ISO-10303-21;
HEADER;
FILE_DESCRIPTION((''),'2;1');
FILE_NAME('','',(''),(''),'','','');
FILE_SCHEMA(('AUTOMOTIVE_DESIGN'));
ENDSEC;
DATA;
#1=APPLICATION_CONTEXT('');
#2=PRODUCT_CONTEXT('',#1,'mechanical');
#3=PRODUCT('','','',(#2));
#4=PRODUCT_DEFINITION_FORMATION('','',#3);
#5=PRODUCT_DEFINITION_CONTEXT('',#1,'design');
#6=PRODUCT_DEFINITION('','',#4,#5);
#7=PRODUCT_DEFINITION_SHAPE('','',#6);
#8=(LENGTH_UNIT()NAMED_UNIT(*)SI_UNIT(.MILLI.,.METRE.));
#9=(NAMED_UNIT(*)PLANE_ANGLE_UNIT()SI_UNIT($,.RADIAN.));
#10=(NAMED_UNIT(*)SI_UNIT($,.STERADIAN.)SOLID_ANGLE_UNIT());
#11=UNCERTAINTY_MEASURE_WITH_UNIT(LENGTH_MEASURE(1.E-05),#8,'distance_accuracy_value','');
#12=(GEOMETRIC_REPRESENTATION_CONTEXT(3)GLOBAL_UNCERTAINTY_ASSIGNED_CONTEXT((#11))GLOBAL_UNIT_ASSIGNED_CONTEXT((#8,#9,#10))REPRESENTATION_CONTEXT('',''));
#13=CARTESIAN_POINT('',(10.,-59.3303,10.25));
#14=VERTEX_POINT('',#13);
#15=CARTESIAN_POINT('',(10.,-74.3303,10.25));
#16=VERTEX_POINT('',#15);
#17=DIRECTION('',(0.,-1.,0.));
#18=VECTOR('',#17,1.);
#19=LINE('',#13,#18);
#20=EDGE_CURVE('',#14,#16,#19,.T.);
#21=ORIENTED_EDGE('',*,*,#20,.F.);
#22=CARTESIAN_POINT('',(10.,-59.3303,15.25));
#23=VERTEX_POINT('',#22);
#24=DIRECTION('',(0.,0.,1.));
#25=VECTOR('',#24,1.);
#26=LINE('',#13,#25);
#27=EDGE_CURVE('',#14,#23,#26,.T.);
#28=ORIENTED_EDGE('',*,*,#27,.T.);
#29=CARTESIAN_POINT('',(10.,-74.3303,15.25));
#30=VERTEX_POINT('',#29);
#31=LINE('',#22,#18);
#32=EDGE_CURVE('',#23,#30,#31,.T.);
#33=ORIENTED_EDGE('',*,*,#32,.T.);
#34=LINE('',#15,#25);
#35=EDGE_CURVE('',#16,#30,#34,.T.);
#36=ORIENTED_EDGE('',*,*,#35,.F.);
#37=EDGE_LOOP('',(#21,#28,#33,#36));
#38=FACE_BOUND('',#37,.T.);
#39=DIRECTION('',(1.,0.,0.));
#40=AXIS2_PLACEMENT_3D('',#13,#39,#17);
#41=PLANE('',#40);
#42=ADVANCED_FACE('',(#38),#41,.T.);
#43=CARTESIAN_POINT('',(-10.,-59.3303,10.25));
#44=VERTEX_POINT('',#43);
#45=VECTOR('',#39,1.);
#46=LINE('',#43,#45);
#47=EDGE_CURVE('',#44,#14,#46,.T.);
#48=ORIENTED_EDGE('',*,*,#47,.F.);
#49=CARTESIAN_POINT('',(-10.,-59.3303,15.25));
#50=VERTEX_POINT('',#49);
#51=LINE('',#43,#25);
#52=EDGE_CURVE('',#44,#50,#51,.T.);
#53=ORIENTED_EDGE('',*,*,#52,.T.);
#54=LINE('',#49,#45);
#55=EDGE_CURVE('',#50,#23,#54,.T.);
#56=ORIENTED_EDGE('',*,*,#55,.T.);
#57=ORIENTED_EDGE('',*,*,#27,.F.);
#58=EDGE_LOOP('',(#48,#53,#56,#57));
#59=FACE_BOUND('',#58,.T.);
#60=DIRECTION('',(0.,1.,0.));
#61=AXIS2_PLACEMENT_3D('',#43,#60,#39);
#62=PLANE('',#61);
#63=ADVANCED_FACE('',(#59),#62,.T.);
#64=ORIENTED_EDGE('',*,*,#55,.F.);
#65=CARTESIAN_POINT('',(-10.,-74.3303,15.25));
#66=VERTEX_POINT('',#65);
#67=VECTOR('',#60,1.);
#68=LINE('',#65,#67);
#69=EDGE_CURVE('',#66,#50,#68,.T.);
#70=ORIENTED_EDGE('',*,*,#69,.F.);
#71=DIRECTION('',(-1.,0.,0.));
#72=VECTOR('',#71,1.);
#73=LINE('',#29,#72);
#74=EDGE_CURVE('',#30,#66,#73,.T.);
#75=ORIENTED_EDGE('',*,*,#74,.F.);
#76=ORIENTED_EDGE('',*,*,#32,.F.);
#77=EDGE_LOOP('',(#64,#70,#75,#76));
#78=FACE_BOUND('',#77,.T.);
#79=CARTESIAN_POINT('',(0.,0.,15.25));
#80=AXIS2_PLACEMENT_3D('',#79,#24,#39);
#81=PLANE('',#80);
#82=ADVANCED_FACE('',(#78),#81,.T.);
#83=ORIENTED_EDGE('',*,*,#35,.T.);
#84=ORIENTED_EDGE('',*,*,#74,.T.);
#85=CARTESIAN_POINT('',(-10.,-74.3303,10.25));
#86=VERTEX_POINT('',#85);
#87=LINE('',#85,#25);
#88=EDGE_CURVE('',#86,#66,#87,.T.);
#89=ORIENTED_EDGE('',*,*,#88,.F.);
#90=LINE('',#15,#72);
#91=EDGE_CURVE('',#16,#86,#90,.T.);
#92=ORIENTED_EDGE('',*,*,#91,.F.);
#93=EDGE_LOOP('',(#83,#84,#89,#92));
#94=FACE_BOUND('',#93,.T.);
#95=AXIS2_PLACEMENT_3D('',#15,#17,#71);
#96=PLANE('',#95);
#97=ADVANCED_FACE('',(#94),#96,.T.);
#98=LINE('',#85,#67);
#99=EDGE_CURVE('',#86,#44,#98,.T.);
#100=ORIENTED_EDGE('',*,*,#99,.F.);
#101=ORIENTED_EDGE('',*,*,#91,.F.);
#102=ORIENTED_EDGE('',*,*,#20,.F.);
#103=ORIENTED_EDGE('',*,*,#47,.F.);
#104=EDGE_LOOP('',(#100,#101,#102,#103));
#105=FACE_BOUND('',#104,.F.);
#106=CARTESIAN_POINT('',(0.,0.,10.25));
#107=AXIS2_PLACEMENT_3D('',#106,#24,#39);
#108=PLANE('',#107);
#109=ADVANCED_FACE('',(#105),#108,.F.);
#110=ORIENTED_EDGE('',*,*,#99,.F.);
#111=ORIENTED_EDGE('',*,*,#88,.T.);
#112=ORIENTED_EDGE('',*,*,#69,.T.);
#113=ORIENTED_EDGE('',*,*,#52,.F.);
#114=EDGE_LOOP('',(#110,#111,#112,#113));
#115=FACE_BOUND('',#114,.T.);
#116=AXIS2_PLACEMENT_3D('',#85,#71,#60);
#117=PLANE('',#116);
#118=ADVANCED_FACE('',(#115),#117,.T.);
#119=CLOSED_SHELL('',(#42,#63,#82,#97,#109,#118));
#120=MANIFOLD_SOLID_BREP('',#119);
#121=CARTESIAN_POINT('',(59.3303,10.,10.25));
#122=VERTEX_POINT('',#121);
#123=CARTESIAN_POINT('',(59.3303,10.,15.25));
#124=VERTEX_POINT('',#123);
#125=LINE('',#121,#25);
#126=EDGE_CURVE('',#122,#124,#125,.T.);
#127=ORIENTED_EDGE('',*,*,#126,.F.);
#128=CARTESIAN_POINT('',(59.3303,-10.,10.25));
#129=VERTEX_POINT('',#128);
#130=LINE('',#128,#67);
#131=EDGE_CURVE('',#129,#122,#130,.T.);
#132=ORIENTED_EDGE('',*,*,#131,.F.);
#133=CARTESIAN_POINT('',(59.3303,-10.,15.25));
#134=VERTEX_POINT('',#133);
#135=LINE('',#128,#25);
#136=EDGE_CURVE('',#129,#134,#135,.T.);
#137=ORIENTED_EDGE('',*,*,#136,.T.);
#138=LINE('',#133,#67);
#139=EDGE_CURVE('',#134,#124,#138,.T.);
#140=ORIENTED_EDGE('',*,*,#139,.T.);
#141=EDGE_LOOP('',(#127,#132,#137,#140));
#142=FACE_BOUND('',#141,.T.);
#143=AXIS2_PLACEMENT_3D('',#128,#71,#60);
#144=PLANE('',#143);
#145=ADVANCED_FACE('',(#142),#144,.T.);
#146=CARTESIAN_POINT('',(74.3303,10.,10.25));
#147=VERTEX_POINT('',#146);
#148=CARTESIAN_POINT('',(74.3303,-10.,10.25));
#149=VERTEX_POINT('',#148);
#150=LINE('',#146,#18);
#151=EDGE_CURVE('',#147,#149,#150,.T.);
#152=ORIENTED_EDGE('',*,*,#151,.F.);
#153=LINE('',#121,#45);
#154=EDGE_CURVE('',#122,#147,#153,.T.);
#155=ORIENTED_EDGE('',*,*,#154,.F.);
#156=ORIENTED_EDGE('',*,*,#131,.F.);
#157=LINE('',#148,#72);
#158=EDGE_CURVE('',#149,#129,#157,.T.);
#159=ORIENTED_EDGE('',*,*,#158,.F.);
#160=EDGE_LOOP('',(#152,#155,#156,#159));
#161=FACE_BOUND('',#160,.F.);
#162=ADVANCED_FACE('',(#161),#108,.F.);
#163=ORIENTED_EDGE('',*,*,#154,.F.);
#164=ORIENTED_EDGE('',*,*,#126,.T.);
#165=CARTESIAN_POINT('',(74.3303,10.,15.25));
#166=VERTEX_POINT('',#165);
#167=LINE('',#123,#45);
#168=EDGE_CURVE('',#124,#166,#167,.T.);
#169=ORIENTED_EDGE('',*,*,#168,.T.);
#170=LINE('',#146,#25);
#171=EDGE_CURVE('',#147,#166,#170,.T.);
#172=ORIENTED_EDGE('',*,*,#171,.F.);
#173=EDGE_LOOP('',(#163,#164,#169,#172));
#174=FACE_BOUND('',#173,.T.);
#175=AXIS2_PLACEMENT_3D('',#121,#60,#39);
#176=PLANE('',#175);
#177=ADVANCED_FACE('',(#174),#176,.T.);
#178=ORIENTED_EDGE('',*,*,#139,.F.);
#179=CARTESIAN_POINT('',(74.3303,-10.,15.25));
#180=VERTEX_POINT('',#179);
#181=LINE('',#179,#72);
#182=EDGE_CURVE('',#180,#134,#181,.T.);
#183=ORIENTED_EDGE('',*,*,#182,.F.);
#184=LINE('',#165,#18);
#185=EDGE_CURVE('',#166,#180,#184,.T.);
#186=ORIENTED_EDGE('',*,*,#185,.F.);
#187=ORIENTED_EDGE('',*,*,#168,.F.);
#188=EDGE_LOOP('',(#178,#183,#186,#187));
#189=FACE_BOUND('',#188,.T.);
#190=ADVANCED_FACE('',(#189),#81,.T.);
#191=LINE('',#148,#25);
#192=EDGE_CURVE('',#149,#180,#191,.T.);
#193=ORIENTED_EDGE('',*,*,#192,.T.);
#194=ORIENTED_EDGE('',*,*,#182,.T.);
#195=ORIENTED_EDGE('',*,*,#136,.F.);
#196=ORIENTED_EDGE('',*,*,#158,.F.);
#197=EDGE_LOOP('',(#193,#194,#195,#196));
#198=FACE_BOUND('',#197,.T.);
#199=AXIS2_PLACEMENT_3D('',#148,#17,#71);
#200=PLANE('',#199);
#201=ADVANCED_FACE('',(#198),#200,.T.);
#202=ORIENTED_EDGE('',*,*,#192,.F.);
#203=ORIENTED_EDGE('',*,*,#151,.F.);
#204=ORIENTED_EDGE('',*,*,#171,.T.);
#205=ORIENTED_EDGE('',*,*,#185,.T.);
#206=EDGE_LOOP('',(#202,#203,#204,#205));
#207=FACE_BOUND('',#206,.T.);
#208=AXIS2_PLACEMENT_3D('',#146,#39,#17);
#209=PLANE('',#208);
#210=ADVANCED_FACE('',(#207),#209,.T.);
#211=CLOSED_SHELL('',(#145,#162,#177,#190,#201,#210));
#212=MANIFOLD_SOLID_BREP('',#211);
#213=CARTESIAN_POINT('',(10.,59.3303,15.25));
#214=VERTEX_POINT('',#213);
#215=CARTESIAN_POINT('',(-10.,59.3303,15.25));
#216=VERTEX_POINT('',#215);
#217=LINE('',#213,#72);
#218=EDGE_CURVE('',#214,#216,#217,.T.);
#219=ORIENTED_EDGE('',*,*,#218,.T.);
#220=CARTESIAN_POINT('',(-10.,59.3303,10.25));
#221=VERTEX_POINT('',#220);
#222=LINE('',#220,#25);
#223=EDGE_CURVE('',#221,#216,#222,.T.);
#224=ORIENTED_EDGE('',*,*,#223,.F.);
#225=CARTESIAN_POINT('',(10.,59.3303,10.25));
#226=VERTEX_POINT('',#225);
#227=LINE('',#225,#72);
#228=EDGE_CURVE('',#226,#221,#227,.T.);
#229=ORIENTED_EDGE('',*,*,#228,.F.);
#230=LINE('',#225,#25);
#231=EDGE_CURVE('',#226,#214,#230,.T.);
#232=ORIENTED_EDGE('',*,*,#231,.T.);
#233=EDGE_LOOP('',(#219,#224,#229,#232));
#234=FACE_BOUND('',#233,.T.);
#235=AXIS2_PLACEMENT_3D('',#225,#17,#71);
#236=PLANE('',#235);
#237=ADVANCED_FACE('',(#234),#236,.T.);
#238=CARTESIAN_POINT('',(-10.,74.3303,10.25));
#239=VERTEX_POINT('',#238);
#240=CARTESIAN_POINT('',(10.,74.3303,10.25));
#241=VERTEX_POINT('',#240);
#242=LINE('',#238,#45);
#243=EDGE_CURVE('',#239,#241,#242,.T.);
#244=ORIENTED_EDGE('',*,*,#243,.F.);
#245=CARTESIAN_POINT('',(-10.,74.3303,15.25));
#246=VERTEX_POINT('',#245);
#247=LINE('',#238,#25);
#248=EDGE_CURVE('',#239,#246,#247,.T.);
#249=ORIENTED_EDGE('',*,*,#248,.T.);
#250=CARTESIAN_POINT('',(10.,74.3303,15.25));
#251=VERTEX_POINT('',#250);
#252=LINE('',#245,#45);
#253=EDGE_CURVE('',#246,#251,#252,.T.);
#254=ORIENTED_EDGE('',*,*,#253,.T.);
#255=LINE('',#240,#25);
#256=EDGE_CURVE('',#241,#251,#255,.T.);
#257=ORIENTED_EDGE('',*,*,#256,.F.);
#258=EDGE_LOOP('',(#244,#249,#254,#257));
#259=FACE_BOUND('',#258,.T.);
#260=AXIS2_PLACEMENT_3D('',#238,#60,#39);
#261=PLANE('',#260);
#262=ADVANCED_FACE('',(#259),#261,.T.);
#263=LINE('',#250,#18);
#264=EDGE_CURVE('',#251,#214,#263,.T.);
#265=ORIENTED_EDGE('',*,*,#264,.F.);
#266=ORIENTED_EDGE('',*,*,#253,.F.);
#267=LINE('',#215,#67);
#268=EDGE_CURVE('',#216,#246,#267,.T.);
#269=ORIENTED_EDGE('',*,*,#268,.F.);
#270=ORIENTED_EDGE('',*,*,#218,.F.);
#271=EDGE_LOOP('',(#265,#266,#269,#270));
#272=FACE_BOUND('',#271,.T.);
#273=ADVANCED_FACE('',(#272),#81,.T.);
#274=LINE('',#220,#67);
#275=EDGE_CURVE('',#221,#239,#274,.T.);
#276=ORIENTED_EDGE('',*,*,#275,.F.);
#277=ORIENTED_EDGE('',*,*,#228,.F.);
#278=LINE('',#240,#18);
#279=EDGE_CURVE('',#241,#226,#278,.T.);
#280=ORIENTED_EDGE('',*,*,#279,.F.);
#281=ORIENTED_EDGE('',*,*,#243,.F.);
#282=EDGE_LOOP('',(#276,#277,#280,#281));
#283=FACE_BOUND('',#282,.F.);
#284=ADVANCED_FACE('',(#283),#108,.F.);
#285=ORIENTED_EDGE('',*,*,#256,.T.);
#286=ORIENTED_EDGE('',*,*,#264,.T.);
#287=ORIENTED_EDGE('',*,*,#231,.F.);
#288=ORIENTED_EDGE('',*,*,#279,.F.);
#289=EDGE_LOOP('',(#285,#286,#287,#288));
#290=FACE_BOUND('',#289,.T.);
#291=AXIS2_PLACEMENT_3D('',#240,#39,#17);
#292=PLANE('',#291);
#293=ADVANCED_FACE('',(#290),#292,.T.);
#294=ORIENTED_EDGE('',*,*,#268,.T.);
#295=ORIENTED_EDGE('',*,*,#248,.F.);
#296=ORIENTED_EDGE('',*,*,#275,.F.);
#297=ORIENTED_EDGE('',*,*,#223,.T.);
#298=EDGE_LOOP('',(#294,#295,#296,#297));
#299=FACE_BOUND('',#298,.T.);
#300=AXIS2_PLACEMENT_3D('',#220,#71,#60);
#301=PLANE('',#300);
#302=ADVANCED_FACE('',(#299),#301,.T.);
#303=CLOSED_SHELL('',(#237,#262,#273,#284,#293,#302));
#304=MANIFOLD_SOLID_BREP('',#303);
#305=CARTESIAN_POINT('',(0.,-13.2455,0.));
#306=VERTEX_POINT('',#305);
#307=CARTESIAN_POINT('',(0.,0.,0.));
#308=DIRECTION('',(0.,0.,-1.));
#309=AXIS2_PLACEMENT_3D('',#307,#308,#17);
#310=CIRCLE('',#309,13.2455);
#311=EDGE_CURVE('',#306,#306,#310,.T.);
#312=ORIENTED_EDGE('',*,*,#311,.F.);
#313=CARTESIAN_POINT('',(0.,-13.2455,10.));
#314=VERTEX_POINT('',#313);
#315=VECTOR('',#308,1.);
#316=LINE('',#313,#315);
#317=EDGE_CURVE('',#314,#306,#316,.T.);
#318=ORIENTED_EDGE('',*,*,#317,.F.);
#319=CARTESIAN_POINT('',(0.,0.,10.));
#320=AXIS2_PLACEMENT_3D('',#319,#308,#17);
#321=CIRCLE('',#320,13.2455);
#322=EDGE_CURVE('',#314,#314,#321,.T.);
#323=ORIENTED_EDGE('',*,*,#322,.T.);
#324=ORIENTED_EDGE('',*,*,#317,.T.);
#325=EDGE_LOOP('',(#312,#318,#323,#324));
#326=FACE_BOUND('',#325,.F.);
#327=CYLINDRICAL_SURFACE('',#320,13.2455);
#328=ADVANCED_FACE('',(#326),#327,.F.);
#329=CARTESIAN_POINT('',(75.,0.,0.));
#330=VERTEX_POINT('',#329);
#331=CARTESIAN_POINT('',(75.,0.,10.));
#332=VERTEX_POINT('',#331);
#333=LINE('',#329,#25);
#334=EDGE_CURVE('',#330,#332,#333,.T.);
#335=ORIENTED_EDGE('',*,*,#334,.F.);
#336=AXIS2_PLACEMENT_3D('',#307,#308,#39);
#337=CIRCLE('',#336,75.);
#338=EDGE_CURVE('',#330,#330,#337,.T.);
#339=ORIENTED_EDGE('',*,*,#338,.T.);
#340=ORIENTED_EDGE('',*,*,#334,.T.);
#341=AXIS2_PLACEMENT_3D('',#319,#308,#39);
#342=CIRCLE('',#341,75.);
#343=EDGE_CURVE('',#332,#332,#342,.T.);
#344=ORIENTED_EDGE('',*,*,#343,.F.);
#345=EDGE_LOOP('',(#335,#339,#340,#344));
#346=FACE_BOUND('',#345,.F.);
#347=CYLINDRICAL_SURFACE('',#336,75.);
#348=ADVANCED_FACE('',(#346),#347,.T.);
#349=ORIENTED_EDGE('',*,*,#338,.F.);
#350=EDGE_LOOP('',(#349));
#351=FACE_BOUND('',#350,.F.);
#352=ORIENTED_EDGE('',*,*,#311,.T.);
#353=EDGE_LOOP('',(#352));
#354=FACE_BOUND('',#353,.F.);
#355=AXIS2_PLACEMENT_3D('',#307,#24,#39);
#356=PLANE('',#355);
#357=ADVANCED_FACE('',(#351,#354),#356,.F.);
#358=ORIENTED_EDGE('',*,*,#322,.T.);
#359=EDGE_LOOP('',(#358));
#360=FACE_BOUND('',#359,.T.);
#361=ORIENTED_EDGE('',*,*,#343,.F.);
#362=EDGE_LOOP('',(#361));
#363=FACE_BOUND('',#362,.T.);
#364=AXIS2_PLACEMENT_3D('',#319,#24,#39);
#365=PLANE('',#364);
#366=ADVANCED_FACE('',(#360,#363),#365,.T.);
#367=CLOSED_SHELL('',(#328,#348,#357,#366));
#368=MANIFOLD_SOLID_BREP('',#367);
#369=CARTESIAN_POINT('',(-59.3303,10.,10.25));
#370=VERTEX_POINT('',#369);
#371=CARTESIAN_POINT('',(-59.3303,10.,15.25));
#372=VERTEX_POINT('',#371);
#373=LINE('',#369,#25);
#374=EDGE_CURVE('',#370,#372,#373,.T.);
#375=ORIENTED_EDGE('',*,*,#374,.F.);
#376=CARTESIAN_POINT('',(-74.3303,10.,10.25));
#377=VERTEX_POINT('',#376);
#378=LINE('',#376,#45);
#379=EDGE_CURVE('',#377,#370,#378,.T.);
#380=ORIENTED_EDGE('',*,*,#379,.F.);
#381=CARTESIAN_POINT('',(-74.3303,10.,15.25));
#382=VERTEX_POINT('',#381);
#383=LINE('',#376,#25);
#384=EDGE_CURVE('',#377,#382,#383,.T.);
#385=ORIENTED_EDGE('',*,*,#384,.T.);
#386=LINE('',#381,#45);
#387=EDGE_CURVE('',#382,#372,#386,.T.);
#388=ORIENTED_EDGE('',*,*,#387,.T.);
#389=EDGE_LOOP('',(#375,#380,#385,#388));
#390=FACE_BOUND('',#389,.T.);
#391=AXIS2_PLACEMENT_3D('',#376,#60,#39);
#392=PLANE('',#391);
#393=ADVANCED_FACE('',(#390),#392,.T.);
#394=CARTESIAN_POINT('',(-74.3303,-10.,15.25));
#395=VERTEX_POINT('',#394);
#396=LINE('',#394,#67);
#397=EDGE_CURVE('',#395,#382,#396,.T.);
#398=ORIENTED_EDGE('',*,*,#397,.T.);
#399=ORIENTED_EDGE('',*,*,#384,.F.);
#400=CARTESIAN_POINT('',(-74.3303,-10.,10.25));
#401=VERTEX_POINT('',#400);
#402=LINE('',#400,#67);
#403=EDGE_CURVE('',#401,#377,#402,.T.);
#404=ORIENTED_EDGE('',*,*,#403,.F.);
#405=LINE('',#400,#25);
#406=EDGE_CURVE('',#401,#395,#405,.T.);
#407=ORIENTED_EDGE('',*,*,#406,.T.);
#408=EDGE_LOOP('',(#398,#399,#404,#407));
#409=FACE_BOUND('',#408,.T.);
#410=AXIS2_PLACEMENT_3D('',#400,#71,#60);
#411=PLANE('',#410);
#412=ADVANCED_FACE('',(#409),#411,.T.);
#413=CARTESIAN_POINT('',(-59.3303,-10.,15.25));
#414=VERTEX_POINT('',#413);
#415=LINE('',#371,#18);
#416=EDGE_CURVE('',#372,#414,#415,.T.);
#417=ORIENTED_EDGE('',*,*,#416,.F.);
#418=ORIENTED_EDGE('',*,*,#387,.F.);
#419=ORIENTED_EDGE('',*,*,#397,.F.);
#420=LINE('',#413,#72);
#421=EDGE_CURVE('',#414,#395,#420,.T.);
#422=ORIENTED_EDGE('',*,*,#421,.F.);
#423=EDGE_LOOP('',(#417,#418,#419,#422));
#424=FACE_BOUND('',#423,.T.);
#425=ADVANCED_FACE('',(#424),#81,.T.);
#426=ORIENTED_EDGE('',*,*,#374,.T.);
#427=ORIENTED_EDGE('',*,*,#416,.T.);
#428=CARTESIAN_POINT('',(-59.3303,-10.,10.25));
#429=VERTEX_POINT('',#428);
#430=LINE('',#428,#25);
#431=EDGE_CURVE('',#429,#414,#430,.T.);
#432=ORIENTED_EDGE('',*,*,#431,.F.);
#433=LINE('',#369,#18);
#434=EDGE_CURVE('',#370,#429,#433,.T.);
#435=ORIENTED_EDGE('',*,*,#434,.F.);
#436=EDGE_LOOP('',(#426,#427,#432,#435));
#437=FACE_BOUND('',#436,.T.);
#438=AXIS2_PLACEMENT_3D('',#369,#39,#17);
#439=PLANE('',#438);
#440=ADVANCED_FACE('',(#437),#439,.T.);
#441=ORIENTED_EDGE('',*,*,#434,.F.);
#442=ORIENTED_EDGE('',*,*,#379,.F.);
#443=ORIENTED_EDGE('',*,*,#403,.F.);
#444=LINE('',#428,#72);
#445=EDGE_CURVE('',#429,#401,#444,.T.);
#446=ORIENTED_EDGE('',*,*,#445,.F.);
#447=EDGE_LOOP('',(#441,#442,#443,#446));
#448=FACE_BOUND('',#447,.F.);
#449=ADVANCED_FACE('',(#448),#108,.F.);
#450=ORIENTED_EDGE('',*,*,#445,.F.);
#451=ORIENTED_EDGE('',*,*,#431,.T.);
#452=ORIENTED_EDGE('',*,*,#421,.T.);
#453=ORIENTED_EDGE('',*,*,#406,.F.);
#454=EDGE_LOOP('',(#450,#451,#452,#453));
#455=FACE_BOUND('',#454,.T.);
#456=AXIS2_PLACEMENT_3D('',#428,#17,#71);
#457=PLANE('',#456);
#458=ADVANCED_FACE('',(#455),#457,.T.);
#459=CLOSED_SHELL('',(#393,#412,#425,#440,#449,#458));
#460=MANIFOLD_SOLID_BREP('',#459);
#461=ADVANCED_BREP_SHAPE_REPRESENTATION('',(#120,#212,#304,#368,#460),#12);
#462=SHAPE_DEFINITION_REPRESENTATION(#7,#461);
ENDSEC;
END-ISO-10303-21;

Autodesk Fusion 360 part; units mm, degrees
sketch "wheel" plane through (0, 0, 0) normal (0, 0, 1) x (1, 0, 0)
  circle A0 centre (0, 0) radius 75
  dimension "d1" = 150
extrude "Extrude1" add sketch "wheel" along normal blind 10 makes body 1
hole "Hole1" at (0, 0, 10) direction (0, 0, -1) diameter 30 depth 35 tip angle 118 bodies 1
thread "Thread1" "ISO Metric profile 30.0 M30x3.5 6H" major diameter 30.3925 minor diameter 26.491 pitch 3.5 angle 60 resizes the face on face at (0.7477, -14.9814, 6.6667) on bodies 1
ref_plane "WorkPlane1" through (0, 0, 10.25) normal (0, 0, 1) x (1, 0, 0)
sketch "connection block" plane through (0, 0, 10.25) normal (0, 0, 1) x (1, 0, 0)
  circle A0 centre (0, 0) radius 75
  line L0 (-10, 74.3303) -> (10, 74.3303)
  line L1 (10, 59.3303) -> (-10, 59.3303)
  line L2 (-10, 59.3303) -> (-10, 74.3303)
  line L3 (10, 74.3303) -> (10, 59.3303)
  line L4 (-59.3303, -10) -> (-74.3303, -10)
  line L5 (-59.3303, 10) -> (-59.3303, -10)
  line L6 (-74.3303, 10) -> (-59.3303, 10)
  line L7 (-74.3303, -10) -> (-74.3303, 10)
  line L8 (10, -59.3303) -> (10, -74.3303)
  line L9 (-10, -59.3303) -> (10, -59.3303)
  line L10 (-10, -74.3303) -> (-10, -59.3303)
  line L11 (10, -74.3303) -> (-10, -74.3303)
  line L12 (59.3303, 10) -> (74.3303, 10)
  line L13 (59.3303, -10) -> (59.3303, 10)
  line L14 (74.3303, -10) -> (59.3303, -10)
  line L15 (74.3303, 10) -> (74.3303, -10)
  point P0 (-10, 74.3303)
  point P1 (10, 74.3303)
  point P2 (10, 59.3303)
  point P3 (-9.0313, 59.3303)
  dimension "d8" = 20
  dimension "d9" = 15
  dimension "d11" = 360
extrude "Extrude2" add sketch "connection block" along normal blind 5 separate body contours L12 L13 L14 L15 | L0 L1 L2 L3 | L8 L9 L10 L11 | L4 L5 L6 L7 makes body 2 at (69.3303, -3.3333, 10.25) makes body 3 at (3.3333, 69.3303, 10.25) makes body 4 at (-64.3303, 3.3333, 10.25) makes body 5 at (-3.3333, -69.3303, 10.25)
